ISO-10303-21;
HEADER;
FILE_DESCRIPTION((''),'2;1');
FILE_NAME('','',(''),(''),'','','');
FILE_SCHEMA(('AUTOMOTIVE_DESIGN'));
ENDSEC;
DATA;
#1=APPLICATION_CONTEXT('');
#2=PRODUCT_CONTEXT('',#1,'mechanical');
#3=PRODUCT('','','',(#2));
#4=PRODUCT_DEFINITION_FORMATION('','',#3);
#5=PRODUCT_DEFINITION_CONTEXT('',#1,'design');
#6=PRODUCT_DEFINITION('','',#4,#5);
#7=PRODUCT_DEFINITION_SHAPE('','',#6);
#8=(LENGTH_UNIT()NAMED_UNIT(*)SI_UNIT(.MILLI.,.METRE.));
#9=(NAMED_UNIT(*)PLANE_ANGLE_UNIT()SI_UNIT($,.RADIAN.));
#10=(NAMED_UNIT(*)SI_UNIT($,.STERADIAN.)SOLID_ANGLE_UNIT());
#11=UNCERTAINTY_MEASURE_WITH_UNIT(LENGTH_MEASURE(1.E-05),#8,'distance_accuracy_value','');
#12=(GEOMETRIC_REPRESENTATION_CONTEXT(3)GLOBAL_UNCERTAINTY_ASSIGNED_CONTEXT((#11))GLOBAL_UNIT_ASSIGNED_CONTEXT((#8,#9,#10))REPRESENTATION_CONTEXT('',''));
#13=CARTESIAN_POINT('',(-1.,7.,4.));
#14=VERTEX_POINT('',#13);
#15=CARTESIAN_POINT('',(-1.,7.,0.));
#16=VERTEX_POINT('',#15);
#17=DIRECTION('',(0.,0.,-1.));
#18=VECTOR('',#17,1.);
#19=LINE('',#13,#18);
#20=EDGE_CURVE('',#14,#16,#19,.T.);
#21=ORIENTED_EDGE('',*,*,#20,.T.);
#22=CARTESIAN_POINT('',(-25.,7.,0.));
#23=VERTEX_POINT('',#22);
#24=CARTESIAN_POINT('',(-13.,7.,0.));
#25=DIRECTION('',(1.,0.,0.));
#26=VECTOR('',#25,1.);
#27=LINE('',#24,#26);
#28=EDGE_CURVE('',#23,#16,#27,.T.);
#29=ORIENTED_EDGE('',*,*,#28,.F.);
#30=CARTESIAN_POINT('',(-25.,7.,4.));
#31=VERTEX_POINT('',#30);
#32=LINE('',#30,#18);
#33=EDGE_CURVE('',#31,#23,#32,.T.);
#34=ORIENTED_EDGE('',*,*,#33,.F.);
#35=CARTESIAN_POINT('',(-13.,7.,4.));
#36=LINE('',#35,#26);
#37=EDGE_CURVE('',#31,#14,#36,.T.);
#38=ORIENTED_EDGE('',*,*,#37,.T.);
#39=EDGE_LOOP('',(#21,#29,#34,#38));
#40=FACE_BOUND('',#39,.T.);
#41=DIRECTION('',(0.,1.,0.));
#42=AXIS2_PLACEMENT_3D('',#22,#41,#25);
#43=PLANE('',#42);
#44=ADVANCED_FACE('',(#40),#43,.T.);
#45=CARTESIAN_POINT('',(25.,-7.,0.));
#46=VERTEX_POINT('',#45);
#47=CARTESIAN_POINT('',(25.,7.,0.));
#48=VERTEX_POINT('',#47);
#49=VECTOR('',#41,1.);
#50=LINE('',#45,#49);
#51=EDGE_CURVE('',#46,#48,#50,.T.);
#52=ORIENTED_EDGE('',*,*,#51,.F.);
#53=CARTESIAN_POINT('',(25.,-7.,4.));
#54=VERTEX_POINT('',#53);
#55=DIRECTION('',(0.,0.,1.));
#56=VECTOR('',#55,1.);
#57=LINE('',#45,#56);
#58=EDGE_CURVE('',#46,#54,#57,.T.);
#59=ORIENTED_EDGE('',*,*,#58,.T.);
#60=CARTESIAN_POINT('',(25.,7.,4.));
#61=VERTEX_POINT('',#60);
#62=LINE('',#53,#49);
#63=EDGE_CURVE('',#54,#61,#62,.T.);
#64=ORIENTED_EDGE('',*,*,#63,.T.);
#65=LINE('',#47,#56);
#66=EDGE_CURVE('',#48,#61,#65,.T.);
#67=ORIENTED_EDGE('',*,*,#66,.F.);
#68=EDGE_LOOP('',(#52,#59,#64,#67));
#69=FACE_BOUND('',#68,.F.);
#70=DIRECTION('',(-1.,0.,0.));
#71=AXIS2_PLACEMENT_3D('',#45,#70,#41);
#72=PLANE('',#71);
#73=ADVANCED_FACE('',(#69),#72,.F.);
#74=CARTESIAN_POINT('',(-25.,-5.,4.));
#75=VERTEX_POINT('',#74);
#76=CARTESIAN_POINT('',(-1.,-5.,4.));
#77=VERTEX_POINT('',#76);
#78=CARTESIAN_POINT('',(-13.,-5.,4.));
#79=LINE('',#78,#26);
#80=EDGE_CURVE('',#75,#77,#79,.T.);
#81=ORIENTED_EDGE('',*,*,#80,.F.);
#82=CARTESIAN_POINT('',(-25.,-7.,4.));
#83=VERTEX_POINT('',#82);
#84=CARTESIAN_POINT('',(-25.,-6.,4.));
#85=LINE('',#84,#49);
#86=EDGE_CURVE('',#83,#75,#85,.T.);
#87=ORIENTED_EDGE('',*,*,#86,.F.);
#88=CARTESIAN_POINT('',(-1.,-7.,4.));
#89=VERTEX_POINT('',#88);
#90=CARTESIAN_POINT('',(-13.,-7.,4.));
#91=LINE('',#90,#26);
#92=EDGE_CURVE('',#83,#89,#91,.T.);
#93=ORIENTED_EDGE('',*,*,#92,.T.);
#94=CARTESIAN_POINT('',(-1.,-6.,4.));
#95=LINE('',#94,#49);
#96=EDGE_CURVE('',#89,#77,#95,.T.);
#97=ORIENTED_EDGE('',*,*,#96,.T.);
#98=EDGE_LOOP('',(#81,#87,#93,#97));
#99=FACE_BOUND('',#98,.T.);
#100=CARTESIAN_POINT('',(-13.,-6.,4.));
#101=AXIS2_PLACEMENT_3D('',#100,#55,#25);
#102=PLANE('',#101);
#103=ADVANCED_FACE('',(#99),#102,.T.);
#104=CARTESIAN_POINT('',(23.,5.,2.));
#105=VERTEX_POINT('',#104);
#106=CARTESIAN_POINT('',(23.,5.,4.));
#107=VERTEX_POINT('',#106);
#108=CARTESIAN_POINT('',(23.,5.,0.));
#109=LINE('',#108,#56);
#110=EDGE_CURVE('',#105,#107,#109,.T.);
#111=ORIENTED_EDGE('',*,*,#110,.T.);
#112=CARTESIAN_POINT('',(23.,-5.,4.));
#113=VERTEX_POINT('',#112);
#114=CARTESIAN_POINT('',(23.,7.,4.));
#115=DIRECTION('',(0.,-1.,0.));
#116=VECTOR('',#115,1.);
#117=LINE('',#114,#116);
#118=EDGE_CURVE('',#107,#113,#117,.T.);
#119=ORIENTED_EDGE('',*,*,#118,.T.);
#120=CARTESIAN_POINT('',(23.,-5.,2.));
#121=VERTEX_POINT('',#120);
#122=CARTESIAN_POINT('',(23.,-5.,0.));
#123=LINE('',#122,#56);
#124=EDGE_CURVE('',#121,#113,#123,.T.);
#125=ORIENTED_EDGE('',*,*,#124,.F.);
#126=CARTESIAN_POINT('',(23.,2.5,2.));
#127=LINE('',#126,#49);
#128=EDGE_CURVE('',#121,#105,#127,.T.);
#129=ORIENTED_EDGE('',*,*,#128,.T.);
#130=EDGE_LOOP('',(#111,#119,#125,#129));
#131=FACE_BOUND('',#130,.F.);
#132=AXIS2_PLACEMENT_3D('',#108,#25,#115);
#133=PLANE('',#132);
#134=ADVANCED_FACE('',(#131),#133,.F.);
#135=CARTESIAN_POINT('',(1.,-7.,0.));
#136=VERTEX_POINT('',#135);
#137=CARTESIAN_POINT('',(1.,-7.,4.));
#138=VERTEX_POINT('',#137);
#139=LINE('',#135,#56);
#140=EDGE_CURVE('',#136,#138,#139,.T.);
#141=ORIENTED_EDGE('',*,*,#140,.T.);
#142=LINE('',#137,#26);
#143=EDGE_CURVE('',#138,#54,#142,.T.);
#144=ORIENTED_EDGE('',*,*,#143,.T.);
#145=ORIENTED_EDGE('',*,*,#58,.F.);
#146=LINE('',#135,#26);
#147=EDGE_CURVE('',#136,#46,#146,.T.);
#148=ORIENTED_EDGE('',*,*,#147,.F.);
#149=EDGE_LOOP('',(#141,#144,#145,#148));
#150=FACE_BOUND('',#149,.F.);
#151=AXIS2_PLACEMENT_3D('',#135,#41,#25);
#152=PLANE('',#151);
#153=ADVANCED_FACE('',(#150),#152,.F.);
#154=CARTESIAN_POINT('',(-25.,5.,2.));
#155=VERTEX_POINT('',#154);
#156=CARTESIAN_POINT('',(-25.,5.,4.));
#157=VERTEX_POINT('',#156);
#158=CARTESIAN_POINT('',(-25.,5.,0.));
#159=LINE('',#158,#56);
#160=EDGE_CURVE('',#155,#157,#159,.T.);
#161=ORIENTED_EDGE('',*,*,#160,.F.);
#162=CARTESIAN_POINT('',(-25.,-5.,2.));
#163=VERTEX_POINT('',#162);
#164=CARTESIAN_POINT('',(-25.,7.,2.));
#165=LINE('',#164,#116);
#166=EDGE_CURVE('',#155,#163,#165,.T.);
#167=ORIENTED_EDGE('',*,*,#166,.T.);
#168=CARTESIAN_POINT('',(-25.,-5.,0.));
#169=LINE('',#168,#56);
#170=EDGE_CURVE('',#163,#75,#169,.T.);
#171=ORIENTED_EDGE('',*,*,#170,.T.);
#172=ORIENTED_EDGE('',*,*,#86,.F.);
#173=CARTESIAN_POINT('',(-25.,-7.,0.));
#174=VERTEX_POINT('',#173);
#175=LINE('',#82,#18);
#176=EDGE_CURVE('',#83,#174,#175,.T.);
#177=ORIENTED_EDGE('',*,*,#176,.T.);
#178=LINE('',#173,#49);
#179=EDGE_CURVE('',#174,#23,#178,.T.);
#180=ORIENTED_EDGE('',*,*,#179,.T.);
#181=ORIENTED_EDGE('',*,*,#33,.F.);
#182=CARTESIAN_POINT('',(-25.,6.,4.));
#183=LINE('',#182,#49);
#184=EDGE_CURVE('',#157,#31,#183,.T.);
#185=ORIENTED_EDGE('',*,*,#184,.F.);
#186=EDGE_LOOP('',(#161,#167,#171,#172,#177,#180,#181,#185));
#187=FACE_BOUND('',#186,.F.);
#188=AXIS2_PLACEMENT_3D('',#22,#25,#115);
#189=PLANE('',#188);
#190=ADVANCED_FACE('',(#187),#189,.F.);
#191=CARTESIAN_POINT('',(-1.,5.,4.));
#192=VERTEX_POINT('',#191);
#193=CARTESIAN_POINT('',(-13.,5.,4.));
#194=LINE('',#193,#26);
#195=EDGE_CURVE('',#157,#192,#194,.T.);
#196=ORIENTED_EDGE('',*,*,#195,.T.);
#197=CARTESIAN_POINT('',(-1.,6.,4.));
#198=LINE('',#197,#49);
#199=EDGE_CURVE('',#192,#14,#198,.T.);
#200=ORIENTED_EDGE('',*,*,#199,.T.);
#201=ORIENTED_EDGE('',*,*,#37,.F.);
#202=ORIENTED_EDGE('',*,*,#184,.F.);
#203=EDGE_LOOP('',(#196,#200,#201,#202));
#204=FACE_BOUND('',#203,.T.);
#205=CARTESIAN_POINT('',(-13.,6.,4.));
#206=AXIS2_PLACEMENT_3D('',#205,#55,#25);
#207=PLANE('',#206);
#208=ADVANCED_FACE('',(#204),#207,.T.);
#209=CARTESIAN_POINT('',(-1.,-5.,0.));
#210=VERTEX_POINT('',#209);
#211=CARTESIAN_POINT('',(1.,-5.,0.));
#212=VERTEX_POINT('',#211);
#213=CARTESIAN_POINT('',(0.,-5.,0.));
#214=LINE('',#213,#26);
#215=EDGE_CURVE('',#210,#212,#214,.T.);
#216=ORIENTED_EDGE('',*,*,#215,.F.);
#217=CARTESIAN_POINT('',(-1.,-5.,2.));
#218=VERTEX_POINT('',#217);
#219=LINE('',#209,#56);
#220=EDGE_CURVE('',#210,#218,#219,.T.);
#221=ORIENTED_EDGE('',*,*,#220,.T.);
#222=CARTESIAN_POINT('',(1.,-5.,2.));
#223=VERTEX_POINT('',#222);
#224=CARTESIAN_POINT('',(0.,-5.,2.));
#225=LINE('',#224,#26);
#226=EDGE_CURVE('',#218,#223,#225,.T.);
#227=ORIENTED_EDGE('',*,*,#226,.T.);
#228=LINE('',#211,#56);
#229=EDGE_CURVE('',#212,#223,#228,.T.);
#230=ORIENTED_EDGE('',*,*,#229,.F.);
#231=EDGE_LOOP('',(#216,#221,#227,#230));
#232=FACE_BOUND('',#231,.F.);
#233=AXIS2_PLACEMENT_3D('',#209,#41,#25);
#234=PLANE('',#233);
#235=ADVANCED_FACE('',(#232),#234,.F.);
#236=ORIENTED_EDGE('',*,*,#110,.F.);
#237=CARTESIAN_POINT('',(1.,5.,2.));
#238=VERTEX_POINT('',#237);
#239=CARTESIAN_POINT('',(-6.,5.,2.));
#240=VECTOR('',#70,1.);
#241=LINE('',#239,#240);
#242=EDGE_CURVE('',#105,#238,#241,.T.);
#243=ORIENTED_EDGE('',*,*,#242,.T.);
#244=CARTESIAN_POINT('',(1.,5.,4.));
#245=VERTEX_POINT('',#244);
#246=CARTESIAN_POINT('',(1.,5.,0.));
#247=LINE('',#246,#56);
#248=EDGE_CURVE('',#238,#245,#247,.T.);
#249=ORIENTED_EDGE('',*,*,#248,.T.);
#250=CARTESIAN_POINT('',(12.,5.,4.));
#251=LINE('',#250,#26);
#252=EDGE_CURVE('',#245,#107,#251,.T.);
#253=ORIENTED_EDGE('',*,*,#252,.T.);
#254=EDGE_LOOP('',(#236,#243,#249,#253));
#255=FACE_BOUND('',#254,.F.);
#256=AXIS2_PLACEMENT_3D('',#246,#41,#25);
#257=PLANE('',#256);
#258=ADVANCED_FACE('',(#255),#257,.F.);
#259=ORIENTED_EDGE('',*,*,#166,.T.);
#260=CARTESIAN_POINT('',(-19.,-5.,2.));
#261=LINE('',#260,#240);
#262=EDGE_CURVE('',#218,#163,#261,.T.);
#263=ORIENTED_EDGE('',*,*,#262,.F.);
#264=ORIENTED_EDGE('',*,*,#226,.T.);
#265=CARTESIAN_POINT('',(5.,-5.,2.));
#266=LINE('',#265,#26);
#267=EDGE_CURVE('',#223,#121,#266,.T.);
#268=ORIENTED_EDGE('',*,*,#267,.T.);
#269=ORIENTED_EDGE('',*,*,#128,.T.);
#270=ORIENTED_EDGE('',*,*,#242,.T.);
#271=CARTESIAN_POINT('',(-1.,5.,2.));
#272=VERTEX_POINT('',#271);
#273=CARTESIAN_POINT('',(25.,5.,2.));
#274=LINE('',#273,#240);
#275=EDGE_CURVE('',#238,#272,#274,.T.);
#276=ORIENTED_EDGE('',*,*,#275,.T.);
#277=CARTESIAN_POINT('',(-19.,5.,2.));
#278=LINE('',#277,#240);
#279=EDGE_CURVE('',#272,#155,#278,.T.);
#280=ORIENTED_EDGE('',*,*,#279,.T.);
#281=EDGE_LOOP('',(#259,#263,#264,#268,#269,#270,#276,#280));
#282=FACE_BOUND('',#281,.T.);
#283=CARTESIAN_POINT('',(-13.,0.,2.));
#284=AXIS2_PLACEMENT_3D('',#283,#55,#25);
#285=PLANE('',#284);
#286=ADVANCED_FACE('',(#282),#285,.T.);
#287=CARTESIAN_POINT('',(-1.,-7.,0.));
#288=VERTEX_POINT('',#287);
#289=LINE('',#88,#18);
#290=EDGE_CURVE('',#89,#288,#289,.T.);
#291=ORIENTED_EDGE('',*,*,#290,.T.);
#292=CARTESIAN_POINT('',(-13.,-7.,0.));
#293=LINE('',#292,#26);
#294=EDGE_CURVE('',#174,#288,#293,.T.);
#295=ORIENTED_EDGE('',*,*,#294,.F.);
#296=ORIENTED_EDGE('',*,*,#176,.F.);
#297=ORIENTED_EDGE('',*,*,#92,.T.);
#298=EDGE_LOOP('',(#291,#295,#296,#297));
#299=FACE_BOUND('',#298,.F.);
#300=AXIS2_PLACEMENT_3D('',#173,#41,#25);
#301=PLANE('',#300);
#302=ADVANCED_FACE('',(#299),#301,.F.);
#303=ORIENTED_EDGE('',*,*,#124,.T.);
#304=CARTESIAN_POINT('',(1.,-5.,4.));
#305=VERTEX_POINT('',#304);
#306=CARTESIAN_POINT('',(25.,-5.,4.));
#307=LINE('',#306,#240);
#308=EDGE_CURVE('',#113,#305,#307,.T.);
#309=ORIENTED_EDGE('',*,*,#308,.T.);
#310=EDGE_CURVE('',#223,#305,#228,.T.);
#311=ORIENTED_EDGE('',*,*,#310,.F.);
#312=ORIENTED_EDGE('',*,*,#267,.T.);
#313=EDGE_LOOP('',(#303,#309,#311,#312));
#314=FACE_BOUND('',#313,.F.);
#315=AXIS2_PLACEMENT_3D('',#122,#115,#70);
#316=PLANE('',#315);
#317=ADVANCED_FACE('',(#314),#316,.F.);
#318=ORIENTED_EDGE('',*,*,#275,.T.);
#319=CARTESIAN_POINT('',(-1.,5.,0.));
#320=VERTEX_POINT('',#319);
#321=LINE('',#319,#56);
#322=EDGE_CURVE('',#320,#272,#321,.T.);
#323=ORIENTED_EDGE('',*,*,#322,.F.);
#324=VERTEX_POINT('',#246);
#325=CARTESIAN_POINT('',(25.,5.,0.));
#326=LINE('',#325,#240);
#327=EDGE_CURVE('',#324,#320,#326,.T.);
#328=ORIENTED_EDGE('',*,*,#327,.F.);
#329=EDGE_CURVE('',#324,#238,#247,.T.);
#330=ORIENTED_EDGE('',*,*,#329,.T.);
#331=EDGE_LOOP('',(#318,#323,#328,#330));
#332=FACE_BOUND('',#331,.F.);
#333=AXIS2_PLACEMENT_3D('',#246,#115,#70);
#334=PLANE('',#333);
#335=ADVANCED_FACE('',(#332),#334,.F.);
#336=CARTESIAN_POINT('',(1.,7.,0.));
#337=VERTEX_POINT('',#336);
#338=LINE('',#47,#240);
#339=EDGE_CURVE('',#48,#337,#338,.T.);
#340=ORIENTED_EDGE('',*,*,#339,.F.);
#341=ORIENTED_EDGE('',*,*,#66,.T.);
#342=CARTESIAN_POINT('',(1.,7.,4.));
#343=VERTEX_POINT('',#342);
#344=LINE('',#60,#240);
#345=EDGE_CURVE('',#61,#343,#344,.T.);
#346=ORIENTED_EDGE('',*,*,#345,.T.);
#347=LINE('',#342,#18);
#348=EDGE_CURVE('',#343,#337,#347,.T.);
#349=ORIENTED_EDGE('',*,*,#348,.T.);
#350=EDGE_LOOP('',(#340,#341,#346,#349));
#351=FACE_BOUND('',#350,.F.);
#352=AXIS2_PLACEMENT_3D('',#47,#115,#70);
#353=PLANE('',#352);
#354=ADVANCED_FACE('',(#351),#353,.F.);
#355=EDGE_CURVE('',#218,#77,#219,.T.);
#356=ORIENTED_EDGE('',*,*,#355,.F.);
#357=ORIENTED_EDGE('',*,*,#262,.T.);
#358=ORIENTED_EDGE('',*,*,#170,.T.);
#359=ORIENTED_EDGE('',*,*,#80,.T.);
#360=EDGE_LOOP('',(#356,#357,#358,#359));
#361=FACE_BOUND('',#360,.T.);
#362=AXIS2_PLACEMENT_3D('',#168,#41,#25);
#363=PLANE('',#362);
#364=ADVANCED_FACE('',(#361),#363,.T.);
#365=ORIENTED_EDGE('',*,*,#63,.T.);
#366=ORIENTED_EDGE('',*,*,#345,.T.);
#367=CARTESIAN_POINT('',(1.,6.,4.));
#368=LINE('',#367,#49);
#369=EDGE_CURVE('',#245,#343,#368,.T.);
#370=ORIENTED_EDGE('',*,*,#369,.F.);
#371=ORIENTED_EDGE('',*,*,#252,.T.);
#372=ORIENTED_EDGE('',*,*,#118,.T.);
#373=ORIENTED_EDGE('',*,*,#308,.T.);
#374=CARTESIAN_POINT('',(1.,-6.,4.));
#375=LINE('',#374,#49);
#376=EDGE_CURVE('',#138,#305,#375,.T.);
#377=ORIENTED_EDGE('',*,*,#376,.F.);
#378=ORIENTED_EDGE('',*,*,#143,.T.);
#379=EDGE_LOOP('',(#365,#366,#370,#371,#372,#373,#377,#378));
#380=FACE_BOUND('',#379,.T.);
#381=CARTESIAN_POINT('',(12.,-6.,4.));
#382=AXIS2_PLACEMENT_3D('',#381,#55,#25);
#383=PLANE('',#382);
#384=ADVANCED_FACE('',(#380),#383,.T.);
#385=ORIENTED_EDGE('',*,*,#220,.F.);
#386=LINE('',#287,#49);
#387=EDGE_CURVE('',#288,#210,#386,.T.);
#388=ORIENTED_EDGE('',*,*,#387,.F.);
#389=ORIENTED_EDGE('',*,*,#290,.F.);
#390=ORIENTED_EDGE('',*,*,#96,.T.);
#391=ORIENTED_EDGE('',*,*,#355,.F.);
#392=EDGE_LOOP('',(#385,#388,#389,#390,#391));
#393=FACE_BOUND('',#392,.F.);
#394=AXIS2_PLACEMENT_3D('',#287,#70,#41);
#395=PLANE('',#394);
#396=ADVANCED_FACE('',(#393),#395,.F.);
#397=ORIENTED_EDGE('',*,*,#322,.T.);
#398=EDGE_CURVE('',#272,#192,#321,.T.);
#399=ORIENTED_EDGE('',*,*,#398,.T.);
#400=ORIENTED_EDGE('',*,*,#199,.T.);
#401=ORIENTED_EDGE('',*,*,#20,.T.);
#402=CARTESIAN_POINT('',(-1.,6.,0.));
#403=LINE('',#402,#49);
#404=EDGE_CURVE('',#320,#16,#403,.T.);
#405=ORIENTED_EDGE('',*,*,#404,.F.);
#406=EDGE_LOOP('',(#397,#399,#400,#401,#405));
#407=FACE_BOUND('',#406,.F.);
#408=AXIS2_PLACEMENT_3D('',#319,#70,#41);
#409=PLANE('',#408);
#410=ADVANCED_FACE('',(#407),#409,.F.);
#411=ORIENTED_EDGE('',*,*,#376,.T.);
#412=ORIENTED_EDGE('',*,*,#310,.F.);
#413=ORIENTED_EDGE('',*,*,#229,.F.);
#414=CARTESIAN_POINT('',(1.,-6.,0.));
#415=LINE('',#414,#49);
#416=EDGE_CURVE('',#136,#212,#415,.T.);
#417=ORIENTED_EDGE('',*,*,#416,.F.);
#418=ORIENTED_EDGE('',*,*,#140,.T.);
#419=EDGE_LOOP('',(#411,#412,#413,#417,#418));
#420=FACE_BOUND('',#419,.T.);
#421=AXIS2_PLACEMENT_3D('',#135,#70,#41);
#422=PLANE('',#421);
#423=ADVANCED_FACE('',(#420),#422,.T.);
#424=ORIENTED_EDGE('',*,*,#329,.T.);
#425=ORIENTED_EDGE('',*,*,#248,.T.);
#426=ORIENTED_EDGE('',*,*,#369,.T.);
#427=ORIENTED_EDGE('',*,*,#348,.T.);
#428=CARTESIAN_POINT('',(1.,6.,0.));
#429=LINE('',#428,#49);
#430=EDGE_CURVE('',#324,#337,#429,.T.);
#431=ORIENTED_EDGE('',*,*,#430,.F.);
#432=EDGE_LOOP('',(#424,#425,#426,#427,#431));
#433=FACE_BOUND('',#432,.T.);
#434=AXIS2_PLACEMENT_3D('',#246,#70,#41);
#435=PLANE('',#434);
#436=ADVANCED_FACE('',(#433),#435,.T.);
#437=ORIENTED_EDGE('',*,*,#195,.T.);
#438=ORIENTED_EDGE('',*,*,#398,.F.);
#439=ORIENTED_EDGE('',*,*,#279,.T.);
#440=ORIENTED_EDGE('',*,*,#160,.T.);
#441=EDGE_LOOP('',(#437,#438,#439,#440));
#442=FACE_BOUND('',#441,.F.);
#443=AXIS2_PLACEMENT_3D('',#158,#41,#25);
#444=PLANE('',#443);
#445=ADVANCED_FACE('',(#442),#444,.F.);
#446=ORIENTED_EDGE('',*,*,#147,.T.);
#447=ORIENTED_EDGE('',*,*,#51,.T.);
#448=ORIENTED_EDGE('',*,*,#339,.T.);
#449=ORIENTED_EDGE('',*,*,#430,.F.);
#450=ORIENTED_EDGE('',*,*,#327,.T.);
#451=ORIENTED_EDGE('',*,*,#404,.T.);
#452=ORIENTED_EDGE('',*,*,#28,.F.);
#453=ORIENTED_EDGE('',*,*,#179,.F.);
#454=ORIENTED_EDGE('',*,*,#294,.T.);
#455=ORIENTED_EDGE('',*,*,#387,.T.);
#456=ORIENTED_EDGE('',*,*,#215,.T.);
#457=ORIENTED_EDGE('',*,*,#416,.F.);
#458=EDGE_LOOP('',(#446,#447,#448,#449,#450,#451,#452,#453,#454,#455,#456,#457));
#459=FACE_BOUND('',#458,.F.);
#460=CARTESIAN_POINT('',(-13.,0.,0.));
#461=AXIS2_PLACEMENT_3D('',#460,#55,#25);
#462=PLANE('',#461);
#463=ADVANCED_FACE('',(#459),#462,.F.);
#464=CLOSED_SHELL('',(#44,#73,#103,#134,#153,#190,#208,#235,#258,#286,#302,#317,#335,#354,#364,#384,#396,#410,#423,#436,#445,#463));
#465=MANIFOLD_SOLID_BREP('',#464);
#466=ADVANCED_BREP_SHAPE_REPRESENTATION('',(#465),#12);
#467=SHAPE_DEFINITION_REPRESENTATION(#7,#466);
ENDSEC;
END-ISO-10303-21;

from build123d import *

# Parameters (mm, degrees)
F0_W     = 24
F0_H     = 10
F0_H_2   = 2
F0_W_2   = 2
F0_W_3   = 22
F1_DEPTH = 2
F2_DEPTH = 4


with BuildPart() as f1:
    # F0 (on Top) → F1 (new body)
    with BuildSketch(Plane.XY):
        with Locations((-13, 0)):
            Rectangle(F0_W, F0_H)
        with Locations((-13, -6)):
            Rectangle(F0_W, F0_H_2)
        Rectangle(F0_W_2, F0_H)
        with Locations((12, -6)):
            Rectangle(F0_W_3, F0_H_2)
        with Locations((24, -6)):
            Rectangle(F0_W_2, F0_H_2)
        with Locations((24, 0)):
            Rectangle(F0_W_2, F0_H)
        with Locations((12, 0)):
            Rectangle(F0_W_3, F0_H)
        with Locations((12, 6)):
            Rectangle(F0_W_3, F0_H_2)
        with Locations((-13, 6)):
            Rectangle(F0_W, F0_H_2)
        with Locations((24, 6)):
            Rectangle(F0_W_2, F0_H_2)
    extrude(amount=F1_DEPTH)

    # F0 (on Top) → F2 (join)
    with BuildSketch(Plane.XY):
        with Locations((12, -6)):
            Rectangle(F0_W_3, F0_H_2)
        with Locations((24, -6)):
            Rectangle(F0_W_2, F0_H_2)
        with Locations((24, 0)):
            Rectangle(F0_W_2, F0_H)
        with Locations((24, 6)):
            Rectangle(F0_W_2, F0_H_2)
        with Locations((12, 6)):
            Rectangle(F0_W_3, F0_H_2)
        with Locations((-13, 6)):
            Rectangle(F0_W, F0_H_2)
        with Locations((-13, -6)):
            Rectangle(F0_W, F0_H_2)
    extrude(amount=F2_DEPTH)


solid = f1.part
